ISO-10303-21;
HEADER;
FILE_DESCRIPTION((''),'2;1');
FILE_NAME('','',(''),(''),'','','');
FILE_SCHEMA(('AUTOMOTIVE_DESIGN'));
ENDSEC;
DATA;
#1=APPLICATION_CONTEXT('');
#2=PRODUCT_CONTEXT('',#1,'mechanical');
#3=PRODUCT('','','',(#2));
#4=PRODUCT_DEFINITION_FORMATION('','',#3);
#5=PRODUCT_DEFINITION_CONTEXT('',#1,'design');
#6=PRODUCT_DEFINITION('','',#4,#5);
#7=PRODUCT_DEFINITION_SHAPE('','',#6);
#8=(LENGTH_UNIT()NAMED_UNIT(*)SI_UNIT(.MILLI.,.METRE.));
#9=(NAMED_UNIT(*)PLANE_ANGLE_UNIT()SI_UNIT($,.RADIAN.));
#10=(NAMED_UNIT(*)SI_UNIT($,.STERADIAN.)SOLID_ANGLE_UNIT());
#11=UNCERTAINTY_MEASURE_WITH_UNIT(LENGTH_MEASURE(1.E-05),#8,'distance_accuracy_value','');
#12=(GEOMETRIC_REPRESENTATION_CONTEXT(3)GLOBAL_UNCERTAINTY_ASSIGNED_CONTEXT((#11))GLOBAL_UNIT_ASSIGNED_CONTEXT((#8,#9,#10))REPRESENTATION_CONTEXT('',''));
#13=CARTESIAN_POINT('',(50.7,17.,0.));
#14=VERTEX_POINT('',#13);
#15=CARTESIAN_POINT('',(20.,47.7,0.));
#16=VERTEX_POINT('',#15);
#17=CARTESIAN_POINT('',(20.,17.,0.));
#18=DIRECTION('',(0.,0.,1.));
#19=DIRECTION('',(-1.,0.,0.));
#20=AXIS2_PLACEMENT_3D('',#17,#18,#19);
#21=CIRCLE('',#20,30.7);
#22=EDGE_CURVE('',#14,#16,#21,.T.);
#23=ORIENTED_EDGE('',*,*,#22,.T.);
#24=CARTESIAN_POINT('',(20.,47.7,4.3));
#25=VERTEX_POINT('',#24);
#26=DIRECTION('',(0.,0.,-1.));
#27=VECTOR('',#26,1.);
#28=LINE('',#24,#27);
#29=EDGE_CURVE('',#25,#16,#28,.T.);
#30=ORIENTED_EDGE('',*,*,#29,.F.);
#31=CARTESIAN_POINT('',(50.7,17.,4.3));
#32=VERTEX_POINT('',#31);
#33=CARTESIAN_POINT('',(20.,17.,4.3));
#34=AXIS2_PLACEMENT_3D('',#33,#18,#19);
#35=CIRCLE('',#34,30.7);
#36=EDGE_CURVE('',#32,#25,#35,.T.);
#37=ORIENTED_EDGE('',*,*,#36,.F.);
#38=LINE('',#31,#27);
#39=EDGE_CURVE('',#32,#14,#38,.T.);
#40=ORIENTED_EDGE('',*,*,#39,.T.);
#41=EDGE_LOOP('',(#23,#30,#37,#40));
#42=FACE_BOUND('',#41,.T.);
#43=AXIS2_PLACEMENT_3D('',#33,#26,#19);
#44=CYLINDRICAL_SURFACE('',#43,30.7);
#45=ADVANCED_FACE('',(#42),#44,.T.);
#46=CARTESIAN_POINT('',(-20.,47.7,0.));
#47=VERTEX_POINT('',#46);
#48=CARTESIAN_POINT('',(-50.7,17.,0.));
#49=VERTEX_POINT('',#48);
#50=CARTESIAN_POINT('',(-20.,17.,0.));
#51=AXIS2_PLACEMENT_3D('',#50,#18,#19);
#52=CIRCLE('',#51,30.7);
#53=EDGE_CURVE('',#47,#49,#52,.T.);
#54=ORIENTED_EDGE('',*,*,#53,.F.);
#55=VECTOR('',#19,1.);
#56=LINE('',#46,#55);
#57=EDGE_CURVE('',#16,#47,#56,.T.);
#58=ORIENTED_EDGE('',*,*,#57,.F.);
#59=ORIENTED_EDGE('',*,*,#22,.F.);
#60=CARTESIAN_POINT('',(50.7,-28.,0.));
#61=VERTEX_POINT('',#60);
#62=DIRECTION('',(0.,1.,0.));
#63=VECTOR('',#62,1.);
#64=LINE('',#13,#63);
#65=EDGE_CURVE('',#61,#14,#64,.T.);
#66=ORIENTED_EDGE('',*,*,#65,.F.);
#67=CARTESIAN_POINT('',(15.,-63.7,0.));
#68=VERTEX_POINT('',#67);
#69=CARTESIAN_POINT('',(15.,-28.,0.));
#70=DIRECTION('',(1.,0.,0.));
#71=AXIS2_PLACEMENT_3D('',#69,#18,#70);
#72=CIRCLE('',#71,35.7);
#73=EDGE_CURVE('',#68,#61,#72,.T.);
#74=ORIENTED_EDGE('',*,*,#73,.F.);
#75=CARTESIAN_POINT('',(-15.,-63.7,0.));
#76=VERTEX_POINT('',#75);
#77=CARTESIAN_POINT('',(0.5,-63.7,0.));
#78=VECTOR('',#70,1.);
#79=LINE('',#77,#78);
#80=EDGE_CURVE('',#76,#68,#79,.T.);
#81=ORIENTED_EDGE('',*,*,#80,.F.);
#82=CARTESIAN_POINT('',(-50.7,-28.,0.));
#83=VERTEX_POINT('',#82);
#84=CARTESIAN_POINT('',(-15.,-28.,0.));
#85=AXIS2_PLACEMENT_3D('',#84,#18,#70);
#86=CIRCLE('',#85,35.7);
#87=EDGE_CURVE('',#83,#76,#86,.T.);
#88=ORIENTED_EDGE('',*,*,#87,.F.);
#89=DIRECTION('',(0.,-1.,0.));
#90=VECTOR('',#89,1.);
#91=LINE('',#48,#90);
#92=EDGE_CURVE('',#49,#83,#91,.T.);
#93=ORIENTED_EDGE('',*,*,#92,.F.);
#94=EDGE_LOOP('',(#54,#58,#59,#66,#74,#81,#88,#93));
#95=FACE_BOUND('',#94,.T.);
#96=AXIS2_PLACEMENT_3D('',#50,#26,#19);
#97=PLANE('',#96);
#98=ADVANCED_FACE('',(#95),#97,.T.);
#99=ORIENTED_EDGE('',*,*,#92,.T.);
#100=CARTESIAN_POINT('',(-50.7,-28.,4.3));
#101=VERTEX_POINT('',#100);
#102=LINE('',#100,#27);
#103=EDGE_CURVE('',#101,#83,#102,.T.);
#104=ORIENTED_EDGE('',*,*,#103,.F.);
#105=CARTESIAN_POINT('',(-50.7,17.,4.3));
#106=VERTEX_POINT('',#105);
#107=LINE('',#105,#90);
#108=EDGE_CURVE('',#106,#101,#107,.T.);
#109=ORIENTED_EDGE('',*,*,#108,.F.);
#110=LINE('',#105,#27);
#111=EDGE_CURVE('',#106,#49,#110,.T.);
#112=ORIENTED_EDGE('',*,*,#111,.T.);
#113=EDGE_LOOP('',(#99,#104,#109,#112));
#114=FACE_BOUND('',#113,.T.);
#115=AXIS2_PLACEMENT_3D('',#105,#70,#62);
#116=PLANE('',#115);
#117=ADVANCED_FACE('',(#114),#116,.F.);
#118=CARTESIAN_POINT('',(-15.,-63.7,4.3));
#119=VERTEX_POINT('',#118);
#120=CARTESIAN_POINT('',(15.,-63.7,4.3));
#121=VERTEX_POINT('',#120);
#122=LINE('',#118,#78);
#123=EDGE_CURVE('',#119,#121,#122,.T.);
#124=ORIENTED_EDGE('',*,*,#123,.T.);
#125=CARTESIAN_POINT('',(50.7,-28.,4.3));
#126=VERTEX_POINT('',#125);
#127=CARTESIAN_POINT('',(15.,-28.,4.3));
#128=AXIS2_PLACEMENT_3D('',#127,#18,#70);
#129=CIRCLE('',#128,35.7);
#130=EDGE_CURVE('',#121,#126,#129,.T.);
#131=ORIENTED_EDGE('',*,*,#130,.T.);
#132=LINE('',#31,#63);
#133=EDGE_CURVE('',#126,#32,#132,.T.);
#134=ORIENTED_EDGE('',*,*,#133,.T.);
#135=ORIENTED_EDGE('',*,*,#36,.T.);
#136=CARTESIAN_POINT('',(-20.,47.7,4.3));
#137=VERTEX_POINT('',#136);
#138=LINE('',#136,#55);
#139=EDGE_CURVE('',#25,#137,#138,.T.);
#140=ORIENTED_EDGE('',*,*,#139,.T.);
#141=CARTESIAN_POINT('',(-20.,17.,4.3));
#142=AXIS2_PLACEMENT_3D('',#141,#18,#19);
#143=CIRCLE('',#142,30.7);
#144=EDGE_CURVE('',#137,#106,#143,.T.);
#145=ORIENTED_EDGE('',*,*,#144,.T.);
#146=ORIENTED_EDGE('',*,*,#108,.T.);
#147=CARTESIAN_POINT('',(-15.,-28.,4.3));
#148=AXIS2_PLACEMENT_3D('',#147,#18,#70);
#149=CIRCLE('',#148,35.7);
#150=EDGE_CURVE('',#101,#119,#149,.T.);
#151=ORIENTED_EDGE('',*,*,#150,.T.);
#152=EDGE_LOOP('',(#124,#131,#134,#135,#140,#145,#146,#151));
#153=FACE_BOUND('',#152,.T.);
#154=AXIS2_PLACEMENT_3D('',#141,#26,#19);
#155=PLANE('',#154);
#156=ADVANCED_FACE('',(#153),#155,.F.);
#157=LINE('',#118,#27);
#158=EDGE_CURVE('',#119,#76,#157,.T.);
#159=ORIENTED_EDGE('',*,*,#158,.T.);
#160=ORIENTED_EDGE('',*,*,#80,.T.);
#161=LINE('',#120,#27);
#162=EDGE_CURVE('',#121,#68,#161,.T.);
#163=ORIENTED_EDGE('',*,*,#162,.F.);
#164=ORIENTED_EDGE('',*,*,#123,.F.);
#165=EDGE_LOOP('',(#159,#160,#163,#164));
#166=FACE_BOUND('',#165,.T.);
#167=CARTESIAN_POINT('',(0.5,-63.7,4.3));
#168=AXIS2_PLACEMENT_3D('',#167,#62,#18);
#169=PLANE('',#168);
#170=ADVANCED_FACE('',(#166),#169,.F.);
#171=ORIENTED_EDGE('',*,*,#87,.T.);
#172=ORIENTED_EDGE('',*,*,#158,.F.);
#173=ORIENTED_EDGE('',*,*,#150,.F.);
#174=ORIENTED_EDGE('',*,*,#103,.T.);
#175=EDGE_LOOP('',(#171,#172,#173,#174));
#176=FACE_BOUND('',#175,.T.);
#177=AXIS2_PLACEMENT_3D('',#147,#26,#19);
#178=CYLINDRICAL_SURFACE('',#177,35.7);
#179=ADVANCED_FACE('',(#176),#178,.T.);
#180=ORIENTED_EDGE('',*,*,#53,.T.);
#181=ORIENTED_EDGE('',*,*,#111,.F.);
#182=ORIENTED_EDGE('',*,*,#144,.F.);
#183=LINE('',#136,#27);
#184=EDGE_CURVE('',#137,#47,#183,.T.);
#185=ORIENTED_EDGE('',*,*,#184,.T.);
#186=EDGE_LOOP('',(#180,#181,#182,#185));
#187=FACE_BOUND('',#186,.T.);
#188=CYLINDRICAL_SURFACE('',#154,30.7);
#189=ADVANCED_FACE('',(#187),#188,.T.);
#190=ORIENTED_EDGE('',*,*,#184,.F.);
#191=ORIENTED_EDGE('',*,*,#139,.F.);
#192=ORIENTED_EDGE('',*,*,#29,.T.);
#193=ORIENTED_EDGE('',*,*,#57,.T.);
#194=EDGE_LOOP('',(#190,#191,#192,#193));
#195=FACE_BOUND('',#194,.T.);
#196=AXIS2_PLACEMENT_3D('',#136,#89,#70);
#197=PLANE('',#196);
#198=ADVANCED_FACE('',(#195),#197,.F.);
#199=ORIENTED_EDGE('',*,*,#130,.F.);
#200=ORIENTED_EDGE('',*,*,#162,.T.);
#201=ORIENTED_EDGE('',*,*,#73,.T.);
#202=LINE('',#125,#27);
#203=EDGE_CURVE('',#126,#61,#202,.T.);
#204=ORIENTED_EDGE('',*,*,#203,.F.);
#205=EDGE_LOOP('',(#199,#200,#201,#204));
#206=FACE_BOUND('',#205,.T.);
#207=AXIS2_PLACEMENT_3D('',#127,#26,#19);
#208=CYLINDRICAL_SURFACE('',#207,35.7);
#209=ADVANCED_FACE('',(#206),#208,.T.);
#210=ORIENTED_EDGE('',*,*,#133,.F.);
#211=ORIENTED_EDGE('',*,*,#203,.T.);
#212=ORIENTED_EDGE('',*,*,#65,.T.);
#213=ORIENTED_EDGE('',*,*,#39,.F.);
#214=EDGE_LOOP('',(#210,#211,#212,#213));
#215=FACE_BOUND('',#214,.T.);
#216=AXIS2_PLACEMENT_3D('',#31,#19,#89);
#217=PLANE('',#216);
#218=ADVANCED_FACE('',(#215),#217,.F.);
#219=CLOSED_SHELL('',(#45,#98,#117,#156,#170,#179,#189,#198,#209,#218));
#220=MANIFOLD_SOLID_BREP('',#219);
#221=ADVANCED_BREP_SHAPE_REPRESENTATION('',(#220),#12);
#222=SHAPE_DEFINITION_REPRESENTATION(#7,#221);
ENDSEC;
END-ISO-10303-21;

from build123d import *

# Parameters (mm, degrees)
BOSS_EXTRUDE1_DEPTH = 4.3


with BuildPart() as part:
    # Sketch3 → Boss-Extrude1 (new body)
    with BuildSketch(Plane.XY):
        with BuildLine():
            Line((-20, 47.7), (20, 47.7))
            ThreePointArc((20, 47.7), (41.708178182, 38.708178182), (50.7, 17))
            Line((50.7, 17), (50.7, -28))
            ThreePointArc((50.7, -28), (40.243712088, -53.243712088), (15, -63.7))
            Line((15, -63.7), (0.5, -63.7))
            Line((0.5, -63.7), (-0.5, -63.7))
            Line((-0.5, -63.7), (-15, -63.7))
            ThreePointArc((-15, -63.7), (-40.243712088, -53.243712088), (-50.7, -28))
            Line((-50.7, -28), (-50.7, 17))
            ThreePointArc((-50.7, 17), (-41.708178182, 38.708178182), (-20, 47.7))
        make_face()
    extrude(amount=BOSS_EXTRUDE1_DEPTH)


solid = part.part
